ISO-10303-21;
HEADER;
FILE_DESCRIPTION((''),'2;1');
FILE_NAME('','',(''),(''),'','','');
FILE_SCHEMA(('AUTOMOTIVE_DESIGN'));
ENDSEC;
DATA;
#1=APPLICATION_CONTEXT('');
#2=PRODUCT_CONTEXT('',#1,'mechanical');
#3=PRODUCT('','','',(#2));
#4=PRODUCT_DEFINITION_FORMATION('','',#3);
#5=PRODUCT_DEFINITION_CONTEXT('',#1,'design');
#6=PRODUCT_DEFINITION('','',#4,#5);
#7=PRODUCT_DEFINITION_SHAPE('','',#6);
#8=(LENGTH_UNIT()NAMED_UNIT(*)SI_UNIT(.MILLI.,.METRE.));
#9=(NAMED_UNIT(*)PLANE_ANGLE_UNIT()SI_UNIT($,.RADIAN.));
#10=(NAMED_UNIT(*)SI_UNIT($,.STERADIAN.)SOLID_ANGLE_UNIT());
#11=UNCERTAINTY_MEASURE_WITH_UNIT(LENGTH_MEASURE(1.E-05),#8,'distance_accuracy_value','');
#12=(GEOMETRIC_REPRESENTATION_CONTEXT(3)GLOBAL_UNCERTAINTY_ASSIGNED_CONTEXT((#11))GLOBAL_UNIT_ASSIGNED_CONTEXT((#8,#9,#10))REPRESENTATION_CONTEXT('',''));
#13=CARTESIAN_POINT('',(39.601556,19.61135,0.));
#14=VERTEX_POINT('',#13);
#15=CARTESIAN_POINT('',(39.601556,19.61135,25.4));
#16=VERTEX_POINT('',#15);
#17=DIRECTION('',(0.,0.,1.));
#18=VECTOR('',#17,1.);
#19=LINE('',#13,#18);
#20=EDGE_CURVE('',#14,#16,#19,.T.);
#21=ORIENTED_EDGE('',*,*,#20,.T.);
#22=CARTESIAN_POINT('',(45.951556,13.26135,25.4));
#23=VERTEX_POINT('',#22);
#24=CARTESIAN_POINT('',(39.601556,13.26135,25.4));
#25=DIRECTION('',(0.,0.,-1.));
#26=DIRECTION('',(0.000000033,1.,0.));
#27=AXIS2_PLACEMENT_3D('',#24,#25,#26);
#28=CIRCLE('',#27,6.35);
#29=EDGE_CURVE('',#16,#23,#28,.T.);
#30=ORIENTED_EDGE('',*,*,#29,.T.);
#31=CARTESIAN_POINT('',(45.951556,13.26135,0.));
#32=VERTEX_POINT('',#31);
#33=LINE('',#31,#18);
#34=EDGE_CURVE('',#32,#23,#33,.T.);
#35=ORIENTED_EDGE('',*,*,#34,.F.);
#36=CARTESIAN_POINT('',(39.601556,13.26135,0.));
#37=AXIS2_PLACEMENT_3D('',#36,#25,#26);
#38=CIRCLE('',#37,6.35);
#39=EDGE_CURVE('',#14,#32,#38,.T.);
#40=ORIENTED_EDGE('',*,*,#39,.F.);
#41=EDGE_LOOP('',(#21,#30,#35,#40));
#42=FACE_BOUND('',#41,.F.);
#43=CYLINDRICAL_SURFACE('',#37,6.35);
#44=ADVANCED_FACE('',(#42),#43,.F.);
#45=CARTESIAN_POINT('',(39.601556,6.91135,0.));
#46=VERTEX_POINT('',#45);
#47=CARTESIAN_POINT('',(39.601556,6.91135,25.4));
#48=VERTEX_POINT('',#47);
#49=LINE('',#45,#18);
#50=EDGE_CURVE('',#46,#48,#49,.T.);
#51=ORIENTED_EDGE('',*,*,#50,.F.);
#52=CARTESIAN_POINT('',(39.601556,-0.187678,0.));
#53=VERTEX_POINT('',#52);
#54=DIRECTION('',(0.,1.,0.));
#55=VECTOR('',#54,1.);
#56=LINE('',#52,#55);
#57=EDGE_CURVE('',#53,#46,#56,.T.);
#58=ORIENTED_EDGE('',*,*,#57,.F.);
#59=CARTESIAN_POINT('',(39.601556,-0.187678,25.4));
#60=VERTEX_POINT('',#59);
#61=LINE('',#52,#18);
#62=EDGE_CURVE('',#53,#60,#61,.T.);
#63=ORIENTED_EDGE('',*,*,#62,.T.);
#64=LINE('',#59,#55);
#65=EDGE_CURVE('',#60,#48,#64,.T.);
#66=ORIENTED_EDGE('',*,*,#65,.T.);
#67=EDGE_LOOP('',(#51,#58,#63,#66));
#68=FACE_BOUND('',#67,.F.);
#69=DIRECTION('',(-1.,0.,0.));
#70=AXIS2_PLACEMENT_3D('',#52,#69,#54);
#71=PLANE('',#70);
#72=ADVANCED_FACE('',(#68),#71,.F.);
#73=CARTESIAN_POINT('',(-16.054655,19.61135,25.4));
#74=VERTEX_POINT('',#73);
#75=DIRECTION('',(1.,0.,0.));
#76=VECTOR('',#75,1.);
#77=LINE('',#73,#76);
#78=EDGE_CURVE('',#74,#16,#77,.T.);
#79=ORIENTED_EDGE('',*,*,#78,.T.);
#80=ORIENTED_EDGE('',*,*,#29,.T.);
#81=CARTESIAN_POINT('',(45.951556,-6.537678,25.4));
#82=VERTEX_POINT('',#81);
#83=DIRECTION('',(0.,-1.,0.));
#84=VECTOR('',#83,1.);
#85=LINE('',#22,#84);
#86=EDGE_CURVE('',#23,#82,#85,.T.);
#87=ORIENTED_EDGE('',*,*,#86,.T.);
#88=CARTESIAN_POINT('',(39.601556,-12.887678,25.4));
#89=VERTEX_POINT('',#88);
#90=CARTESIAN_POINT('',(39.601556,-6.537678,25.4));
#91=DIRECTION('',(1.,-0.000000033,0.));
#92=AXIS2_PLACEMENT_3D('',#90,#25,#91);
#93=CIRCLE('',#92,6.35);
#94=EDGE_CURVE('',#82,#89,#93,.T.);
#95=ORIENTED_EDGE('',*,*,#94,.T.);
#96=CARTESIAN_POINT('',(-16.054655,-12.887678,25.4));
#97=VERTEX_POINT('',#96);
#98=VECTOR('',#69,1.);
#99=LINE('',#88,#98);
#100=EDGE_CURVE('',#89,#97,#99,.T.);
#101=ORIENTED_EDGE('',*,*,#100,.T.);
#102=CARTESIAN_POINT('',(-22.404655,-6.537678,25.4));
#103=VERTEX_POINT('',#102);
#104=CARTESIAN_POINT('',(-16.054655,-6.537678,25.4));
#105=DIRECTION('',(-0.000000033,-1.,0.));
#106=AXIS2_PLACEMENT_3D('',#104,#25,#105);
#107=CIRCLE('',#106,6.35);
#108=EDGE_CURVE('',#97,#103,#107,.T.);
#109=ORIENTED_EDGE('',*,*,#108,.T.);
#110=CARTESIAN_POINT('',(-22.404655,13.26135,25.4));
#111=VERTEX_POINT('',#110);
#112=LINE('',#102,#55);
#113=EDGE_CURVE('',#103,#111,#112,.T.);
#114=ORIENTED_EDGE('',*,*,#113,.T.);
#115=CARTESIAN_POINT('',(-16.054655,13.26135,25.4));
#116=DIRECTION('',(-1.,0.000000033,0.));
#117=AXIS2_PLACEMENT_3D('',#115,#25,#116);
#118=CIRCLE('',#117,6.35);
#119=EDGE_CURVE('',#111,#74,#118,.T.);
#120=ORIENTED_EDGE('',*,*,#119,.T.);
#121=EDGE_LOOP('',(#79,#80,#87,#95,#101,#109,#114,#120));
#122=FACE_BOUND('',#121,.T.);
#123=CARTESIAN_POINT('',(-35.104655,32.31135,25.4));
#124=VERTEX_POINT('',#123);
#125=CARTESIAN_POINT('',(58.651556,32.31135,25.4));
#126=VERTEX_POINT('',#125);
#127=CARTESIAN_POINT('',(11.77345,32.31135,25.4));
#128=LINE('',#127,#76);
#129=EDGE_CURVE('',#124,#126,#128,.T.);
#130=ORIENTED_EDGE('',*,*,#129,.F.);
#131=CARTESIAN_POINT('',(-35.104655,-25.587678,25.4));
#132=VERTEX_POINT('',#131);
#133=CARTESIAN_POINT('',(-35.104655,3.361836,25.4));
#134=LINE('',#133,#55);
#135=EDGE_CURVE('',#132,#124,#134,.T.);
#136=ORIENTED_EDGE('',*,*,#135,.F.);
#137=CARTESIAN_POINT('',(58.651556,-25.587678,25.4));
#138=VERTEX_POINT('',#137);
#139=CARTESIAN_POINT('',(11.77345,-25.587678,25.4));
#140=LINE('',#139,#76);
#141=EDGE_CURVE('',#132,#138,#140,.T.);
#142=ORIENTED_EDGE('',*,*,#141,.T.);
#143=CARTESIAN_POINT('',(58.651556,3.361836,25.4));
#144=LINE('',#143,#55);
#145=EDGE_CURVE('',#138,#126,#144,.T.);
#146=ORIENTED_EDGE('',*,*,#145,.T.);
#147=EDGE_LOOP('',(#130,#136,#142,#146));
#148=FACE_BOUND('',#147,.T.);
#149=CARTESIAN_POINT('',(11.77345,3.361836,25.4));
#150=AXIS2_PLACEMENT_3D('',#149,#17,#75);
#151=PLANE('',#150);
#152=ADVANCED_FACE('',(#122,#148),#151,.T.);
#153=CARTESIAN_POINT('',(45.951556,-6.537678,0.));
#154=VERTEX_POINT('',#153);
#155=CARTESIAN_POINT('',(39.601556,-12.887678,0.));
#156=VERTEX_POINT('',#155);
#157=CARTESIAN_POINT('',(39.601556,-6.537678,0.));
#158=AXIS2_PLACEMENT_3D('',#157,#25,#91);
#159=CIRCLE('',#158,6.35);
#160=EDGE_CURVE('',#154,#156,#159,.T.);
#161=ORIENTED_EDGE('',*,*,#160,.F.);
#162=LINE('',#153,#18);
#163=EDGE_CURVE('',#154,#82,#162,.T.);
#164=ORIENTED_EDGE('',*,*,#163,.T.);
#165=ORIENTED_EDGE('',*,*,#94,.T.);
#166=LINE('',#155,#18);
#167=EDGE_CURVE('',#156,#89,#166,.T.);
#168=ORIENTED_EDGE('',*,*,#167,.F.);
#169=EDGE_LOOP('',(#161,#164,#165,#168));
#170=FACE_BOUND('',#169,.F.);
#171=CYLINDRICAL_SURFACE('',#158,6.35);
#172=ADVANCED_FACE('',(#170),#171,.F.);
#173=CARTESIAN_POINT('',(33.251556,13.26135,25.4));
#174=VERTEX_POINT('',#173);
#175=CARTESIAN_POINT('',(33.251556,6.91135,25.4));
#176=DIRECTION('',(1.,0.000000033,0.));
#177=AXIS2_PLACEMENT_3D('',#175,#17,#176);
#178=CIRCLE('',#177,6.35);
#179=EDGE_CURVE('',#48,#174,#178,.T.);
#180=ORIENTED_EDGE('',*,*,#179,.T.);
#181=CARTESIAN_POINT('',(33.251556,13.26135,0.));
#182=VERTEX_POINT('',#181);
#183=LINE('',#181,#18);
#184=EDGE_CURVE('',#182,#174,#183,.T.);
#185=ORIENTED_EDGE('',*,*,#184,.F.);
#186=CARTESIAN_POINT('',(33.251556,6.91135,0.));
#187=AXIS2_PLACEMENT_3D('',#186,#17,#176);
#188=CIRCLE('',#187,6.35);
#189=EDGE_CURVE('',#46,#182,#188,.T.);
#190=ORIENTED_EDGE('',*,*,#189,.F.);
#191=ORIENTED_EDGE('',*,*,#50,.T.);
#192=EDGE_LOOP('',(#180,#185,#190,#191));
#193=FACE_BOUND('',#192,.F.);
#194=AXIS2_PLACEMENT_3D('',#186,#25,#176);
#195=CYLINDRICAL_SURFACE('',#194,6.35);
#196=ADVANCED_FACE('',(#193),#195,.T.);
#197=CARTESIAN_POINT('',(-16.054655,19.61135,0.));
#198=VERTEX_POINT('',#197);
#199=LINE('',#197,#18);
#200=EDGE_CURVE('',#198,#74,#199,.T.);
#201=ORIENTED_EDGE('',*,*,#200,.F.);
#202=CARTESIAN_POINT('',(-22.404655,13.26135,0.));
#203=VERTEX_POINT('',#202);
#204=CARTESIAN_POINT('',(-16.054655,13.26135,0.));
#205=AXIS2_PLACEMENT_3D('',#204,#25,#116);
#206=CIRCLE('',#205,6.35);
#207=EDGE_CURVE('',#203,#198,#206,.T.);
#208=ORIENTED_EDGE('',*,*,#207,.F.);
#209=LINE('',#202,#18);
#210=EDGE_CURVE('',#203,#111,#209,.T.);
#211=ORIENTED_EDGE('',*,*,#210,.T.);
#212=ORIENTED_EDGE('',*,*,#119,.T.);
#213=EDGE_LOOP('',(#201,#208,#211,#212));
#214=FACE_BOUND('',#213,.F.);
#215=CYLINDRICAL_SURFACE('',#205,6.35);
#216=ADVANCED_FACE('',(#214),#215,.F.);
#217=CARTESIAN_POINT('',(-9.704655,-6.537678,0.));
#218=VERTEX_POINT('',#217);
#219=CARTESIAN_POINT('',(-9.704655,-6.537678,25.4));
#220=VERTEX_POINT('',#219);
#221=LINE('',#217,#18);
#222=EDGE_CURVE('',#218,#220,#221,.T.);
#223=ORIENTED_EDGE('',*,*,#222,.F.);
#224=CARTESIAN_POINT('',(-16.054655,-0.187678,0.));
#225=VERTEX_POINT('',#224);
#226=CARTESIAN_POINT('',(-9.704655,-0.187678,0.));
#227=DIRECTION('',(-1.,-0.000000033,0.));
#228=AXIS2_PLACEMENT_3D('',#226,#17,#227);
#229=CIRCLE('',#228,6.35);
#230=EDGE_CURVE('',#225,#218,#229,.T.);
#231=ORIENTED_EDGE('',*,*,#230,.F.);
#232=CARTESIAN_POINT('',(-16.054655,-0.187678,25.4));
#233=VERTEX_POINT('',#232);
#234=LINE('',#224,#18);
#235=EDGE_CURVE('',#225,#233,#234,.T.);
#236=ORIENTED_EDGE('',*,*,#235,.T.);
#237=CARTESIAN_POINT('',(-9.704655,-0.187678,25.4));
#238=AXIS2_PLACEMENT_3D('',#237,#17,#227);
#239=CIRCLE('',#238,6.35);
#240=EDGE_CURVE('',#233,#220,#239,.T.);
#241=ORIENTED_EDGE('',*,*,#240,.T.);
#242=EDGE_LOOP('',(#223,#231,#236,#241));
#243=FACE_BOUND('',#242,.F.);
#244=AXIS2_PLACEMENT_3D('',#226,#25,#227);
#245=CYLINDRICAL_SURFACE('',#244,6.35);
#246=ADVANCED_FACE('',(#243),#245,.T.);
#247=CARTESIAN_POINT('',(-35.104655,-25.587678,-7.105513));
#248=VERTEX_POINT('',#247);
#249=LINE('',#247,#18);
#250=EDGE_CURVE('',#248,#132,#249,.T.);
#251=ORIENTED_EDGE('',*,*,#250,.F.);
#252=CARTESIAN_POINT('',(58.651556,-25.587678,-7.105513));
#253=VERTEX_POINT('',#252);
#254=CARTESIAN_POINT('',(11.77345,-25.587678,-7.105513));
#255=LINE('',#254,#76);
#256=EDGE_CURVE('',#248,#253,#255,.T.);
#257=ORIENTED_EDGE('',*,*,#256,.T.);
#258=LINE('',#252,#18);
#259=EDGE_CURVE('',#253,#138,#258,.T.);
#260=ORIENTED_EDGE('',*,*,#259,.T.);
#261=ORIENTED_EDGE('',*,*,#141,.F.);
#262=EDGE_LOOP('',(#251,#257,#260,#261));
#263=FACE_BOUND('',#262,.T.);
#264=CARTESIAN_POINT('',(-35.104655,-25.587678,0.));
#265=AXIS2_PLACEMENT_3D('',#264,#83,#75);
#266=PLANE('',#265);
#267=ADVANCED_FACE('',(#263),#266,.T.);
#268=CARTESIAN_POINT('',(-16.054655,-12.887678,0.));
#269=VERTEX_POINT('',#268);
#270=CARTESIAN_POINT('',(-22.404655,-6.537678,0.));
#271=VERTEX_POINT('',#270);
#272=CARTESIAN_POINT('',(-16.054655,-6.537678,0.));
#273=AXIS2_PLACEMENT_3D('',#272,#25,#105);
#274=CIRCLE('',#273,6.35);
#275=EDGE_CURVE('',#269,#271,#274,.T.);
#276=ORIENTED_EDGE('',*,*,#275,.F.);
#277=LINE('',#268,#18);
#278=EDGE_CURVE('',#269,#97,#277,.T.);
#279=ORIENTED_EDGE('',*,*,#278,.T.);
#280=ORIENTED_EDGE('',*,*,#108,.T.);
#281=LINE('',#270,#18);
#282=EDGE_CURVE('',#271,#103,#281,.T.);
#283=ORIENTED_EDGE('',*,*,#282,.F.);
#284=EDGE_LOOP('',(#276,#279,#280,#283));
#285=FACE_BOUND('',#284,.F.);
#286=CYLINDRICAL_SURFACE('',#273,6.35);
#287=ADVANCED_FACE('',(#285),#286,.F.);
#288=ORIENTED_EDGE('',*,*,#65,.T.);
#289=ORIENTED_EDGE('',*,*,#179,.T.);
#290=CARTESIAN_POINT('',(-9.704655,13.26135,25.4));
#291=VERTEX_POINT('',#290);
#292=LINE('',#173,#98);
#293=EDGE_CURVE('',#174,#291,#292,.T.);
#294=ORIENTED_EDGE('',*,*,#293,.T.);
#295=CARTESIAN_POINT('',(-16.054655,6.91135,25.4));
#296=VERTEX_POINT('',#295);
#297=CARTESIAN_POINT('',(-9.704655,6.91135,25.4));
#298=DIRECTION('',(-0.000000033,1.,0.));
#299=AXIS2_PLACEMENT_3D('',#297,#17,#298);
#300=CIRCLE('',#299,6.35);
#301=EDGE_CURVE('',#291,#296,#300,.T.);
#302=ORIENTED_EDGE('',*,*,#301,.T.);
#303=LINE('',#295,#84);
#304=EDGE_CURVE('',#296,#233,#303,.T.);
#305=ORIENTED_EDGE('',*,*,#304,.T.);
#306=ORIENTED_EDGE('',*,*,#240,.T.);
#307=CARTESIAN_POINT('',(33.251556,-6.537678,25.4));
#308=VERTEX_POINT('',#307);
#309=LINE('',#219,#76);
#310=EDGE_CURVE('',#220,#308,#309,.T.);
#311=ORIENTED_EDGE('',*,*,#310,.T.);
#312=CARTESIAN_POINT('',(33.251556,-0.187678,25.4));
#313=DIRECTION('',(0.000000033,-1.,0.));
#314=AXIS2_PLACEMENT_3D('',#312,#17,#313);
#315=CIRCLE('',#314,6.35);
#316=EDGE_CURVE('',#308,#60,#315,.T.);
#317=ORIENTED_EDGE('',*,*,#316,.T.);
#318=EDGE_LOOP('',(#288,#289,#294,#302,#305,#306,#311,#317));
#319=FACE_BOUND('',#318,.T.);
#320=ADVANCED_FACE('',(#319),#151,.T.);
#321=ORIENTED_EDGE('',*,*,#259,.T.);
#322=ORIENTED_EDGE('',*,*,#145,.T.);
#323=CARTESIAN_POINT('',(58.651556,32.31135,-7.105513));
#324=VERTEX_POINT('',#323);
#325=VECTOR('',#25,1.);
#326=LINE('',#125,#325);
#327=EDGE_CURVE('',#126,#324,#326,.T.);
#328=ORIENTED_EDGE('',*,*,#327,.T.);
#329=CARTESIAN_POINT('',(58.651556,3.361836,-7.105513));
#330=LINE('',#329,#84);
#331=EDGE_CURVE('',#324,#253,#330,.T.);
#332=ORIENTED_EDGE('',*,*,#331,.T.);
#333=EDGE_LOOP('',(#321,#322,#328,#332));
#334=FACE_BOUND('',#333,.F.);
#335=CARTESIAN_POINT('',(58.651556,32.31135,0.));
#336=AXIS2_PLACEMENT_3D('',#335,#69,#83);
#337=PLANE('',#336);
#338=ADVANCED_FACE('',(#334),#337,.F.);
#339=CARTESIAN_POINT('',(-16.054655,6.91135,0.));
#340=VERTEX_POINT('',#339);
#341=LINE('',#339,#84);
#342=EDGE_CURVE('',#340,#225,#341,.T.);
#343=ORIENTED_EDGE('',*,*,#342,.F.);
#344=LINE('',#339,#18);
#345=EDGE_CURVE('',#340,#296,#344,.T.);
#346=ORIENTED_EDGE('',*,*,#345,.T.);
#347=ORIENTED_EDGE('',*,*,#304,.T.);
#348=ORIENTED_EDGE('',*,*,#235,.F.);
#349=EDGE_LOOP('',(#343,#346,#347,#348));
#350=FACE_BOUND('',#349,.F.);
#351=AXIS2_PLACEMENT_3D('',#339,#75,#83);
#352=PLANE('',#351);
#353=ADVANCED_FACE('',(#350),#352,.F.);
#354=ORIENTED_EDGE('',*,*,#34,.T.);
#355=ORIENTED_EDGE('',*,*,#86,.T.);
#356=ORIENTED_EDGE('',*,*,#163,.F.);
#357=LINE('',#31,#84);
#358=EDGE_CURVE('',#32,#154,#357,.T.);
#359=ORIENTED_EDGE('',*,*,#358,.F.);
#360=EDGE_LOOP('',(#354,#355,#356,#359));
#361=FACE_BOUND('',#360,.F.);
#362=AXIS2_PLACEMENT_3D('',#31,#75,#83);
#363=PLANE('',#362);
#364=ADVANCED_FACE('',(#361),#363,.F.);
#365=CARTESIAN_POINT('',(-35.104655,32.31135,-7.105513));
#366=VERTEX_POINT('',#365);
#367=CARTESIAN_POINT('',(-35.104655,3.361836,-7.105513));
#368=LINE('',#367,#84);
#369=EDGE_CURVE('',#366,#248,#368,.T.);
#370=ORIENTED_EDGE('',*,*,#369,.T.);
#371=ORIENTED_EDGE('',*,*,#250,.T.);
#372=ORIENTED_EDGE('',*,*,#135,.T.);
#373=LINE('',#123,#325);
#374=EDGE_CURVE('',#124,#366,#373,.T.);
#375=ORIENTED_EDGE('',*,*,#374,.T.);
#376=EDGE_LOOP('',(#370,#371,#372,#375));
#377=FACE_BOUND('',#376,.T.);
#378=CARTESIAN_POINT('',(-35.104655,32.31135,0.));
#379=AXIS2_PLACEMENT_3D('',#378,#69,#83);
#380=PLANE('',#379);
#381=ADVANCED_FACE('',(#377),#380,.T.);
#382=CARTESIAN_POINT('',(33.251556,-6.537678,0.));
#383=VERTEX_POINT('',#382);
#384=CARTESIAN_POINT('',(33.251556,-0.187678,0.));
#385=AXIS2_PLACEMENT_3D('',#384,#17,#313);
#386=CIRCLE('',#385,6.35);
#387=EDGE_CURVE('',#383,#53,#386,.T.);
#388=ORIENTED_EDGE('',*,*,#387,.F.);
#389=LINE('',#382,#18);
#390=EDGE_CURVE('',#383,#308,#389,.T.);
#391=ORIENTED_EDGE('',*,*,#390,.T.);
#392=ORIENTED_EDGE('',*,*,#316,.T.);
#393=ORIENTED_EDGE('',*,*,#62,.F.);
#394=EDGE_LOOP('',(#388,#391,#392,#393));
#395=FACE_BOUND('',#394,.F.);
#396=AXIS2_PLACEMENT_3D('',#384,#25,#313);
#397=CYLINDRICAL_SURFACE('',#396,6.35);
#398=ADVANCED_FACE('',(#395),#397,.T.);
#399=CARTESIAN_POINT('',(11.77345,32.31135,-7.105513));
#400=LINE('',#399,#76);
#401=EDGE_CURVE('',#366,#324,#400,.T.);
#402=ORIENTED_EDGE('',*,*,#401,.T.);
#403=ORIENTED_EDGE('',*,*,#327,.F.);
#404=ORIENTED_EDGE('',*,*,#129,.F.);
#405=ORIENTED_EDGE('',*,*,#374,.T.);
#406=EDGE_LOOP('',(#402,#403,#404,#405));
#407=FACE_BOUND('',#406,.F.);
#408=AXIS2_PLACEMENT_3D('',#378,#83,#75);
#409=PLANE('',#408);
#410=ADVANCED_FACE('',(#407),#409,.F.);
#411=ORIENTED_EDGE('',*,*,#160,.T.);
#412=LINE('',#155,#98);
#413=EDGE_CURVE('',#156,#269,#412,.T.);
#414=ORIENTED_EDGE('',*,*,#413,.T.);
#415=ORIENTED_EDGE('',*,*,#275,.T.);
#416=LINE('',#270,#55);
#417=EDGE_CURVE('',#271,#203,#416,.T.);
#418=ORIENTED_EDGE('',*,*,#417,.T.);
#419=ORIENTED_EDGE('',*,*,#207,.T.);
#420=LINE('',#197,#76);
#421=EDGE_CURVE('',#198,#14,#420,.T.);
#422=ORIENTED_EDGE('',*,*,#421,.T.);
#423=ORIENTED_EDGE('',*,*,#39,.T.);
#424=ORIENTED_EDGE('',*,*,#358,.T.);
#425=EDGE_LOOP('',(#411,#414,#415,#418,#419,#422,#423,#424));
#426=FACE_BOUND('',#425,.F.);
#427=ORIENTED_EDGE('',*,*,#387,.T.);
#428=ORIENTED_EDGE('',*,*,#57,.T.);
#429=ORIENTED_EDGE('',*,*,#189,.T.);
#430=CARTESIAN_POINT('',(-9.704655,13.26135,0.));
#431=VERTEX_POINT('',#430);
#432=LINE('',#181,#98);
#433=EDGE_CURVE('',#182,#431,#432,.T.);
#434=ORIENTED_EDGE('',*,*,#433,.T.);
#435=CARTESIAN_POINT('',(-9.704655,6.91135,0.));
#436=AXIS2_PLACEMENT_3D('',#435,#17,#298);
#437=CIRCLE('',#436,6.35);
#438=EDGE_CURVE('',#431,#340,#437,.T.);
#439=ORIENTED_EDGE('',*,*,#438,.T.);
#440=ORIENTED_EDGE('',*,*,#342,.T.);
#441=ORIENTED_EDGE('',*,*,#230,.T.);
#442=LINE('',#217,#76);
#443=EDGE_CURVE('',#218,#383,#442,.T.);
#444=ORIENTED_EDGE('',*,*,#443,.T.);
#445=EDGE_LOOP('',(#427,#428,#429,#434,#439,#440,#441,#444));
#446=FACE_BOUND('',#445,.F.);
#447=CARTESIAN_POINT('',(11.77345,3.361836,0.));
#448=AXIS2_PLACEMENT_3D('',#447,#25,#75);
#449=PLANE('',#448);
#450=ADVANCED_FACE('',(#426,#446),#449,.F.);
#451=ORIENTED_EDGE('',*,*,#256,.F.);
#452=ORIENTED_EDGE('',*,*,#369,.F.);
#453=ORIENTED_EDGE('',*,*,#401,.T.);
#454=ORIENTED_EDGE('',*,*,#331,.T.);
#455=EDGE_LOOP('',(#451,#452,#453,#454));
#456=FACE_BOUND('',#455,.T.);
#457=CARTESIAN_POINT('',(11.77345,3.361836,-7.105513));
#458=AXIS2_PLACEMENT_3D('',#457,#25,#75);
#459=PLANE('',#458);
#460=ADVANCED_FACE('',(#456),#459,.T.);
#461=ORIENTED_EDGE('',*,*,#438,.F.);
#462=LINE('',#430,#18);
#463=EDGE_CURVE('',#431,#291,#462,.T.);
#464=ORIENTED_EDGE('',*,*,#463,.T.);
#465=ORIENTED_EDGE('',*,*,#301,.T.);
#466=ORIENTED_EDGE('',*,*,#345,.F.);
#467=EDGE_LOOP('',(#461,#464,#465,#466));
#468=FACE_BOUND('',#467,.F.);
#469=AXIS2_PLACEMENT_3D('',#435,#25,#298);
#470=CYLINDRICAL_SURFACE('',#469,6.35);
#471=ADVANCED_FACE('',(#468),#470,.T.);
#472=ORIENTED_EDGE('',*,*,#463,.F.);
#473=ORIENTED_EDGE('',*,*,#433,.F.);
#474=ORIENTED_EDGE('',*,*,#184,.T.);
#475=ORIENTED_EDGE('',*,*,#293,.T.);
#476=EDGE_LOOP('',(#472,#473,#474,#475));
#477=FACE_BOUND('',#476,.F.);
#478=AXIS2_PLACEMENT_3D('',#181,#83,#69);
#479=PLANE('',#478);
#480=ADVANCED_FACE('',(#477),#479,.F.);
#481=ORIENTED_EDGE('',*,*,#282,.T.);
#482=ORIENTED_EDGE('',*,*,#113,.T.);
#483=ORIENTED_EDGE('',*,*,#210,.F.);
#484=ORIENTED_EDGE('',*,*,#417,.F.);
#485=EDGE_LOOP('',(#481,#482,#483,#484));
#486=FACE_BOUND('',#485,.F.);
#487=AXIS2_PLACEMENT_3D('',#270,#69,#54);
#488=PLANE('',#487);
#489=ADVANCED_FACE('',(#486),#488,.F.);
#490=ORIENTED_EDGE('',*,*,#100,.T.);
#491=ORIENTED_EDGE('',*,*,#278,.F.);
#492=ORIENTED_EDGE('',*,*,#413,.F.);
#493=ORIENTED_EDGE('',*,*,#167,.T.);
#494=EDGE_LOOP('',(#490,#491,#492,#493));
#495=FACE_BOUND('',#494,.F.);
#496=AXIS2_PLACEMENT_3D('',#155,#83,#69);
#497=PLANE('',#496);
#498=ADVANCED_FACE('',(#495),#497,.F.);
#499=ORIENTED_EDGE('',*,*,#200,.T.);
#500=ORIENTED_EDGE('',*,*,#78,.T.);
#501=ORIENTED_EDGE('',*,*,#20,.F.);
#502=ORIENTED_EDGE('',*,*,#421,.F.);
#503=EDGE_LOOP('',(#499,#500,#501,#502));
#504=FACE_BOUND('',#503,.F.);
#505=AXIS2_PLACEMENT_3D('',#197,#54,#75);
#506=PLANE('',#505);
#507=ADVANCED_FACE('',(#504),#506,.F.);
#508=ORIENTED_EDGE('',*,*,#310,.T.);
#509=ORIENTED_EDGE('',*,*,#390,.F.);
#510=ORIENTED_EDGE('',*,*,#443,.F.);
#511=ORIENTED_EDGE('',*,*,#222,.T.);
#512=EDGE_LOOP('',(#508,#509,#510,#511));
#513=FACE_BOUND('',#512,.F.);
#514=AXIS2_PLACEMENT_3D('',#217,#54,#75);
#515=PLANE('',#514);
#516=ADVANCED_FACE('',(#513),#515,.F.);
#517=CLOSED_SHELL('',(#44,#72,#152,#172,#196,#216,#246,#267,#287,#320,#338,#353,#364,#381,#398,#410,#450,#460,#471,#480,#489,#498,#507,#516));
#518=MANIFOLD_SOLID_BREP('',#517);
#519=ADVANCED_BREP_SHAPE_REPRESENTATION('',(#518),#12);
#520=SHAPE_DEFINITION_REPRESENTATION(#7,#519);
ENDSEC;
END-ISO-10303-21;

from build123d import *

# Parameters (mm, degrees)
F0_W     = 93.756211
F0_H     = 57.899028
F1_DEPTH = 25.4
F2_W     = 93.756211
F2_H     = 57.899028
F3_DEPTH = 7.105513
F6_DEPTH = 25.4


with BuildPart() as f1:
    # F0 (on Top) → F1 (new body)
    with BuildSketch(Plane.XY):
        with Locations((11.77345, 3.361836)):
            Rectangle(F0_W, F0_H)
        with BuildLine():
            Line((39.601556, -12.887678), (-16.054655, -12.887678))
            ThreePointArc((-16.054655, -12.887678), (-20.544783, -11.027806), (-22.404655, -6.537678))
            Line((-22.404655, -6.537678), (-22.404655, 13.26135))
            ThreePointArc((-22.404655, 13.26135), (-20.544783, 17.751478), (-16.054655, 19.61135))
            Line((-16.054655, 19.61135), (39.601556, 19.61135))
            ThreePointArc((39.601556, 19.61135), (44.091684, 17.751478), (45.951556, 13.26135))
            Line((45.951556, 13.26135), (45.951556, -6.537678))
            ThreePointArc((45.951556, -6.537678), (44.091684, -11.027806), (39.601556, -12.887678))
        make_face(mode=Mode.SUBTRACT)
    extrude(amount=F1_DEPTH)

    # F2 (on face) → F3 (join)
    with BuildSketch(Plane(origin=(0, 0, 0), x_dir=(1, 0, 0), z_dir=(0, 0, -1))):
        with Locations((11.77345, -3.361836)):
            Rectangle(F2_W, F2_H)
    extrude(amount=F3_DEPTH)

    # F5 (on face) → F6 (join)
    with BuildSketch(Plane.XY):
        with BuildLine():
            Line((-16.054655, 6.91135), (-16.054655, -0.187678))
            ThreePointArc((-16.054655, -0.187678), (-14.194783, -4.677806), (-9.704655, -6.537678))
            Line((-9.704655, -6.537678), (33.251556, -6.537678))
            ThreePointArc((33.251556, -6.537678), (37.741684, -4.677806), (39.601556, -0.187678))
            Line((39.601556, -0.187678), (39.601556, 6.91135))
            ThreePointArc((39.601556, 6.91135), (37.741684, 11.401478), (33.251556, 13.26135))
            Line((33.251556, 13.26135), (-9.704655, 13.26135))
            ThreePointArc((-9.704655, 13.26135), (-14.194783, 11.401478), (-16.054655, 6.91135))
        make_face()
    extrude(amount=F6_DEPTH)


solid = f1.part
